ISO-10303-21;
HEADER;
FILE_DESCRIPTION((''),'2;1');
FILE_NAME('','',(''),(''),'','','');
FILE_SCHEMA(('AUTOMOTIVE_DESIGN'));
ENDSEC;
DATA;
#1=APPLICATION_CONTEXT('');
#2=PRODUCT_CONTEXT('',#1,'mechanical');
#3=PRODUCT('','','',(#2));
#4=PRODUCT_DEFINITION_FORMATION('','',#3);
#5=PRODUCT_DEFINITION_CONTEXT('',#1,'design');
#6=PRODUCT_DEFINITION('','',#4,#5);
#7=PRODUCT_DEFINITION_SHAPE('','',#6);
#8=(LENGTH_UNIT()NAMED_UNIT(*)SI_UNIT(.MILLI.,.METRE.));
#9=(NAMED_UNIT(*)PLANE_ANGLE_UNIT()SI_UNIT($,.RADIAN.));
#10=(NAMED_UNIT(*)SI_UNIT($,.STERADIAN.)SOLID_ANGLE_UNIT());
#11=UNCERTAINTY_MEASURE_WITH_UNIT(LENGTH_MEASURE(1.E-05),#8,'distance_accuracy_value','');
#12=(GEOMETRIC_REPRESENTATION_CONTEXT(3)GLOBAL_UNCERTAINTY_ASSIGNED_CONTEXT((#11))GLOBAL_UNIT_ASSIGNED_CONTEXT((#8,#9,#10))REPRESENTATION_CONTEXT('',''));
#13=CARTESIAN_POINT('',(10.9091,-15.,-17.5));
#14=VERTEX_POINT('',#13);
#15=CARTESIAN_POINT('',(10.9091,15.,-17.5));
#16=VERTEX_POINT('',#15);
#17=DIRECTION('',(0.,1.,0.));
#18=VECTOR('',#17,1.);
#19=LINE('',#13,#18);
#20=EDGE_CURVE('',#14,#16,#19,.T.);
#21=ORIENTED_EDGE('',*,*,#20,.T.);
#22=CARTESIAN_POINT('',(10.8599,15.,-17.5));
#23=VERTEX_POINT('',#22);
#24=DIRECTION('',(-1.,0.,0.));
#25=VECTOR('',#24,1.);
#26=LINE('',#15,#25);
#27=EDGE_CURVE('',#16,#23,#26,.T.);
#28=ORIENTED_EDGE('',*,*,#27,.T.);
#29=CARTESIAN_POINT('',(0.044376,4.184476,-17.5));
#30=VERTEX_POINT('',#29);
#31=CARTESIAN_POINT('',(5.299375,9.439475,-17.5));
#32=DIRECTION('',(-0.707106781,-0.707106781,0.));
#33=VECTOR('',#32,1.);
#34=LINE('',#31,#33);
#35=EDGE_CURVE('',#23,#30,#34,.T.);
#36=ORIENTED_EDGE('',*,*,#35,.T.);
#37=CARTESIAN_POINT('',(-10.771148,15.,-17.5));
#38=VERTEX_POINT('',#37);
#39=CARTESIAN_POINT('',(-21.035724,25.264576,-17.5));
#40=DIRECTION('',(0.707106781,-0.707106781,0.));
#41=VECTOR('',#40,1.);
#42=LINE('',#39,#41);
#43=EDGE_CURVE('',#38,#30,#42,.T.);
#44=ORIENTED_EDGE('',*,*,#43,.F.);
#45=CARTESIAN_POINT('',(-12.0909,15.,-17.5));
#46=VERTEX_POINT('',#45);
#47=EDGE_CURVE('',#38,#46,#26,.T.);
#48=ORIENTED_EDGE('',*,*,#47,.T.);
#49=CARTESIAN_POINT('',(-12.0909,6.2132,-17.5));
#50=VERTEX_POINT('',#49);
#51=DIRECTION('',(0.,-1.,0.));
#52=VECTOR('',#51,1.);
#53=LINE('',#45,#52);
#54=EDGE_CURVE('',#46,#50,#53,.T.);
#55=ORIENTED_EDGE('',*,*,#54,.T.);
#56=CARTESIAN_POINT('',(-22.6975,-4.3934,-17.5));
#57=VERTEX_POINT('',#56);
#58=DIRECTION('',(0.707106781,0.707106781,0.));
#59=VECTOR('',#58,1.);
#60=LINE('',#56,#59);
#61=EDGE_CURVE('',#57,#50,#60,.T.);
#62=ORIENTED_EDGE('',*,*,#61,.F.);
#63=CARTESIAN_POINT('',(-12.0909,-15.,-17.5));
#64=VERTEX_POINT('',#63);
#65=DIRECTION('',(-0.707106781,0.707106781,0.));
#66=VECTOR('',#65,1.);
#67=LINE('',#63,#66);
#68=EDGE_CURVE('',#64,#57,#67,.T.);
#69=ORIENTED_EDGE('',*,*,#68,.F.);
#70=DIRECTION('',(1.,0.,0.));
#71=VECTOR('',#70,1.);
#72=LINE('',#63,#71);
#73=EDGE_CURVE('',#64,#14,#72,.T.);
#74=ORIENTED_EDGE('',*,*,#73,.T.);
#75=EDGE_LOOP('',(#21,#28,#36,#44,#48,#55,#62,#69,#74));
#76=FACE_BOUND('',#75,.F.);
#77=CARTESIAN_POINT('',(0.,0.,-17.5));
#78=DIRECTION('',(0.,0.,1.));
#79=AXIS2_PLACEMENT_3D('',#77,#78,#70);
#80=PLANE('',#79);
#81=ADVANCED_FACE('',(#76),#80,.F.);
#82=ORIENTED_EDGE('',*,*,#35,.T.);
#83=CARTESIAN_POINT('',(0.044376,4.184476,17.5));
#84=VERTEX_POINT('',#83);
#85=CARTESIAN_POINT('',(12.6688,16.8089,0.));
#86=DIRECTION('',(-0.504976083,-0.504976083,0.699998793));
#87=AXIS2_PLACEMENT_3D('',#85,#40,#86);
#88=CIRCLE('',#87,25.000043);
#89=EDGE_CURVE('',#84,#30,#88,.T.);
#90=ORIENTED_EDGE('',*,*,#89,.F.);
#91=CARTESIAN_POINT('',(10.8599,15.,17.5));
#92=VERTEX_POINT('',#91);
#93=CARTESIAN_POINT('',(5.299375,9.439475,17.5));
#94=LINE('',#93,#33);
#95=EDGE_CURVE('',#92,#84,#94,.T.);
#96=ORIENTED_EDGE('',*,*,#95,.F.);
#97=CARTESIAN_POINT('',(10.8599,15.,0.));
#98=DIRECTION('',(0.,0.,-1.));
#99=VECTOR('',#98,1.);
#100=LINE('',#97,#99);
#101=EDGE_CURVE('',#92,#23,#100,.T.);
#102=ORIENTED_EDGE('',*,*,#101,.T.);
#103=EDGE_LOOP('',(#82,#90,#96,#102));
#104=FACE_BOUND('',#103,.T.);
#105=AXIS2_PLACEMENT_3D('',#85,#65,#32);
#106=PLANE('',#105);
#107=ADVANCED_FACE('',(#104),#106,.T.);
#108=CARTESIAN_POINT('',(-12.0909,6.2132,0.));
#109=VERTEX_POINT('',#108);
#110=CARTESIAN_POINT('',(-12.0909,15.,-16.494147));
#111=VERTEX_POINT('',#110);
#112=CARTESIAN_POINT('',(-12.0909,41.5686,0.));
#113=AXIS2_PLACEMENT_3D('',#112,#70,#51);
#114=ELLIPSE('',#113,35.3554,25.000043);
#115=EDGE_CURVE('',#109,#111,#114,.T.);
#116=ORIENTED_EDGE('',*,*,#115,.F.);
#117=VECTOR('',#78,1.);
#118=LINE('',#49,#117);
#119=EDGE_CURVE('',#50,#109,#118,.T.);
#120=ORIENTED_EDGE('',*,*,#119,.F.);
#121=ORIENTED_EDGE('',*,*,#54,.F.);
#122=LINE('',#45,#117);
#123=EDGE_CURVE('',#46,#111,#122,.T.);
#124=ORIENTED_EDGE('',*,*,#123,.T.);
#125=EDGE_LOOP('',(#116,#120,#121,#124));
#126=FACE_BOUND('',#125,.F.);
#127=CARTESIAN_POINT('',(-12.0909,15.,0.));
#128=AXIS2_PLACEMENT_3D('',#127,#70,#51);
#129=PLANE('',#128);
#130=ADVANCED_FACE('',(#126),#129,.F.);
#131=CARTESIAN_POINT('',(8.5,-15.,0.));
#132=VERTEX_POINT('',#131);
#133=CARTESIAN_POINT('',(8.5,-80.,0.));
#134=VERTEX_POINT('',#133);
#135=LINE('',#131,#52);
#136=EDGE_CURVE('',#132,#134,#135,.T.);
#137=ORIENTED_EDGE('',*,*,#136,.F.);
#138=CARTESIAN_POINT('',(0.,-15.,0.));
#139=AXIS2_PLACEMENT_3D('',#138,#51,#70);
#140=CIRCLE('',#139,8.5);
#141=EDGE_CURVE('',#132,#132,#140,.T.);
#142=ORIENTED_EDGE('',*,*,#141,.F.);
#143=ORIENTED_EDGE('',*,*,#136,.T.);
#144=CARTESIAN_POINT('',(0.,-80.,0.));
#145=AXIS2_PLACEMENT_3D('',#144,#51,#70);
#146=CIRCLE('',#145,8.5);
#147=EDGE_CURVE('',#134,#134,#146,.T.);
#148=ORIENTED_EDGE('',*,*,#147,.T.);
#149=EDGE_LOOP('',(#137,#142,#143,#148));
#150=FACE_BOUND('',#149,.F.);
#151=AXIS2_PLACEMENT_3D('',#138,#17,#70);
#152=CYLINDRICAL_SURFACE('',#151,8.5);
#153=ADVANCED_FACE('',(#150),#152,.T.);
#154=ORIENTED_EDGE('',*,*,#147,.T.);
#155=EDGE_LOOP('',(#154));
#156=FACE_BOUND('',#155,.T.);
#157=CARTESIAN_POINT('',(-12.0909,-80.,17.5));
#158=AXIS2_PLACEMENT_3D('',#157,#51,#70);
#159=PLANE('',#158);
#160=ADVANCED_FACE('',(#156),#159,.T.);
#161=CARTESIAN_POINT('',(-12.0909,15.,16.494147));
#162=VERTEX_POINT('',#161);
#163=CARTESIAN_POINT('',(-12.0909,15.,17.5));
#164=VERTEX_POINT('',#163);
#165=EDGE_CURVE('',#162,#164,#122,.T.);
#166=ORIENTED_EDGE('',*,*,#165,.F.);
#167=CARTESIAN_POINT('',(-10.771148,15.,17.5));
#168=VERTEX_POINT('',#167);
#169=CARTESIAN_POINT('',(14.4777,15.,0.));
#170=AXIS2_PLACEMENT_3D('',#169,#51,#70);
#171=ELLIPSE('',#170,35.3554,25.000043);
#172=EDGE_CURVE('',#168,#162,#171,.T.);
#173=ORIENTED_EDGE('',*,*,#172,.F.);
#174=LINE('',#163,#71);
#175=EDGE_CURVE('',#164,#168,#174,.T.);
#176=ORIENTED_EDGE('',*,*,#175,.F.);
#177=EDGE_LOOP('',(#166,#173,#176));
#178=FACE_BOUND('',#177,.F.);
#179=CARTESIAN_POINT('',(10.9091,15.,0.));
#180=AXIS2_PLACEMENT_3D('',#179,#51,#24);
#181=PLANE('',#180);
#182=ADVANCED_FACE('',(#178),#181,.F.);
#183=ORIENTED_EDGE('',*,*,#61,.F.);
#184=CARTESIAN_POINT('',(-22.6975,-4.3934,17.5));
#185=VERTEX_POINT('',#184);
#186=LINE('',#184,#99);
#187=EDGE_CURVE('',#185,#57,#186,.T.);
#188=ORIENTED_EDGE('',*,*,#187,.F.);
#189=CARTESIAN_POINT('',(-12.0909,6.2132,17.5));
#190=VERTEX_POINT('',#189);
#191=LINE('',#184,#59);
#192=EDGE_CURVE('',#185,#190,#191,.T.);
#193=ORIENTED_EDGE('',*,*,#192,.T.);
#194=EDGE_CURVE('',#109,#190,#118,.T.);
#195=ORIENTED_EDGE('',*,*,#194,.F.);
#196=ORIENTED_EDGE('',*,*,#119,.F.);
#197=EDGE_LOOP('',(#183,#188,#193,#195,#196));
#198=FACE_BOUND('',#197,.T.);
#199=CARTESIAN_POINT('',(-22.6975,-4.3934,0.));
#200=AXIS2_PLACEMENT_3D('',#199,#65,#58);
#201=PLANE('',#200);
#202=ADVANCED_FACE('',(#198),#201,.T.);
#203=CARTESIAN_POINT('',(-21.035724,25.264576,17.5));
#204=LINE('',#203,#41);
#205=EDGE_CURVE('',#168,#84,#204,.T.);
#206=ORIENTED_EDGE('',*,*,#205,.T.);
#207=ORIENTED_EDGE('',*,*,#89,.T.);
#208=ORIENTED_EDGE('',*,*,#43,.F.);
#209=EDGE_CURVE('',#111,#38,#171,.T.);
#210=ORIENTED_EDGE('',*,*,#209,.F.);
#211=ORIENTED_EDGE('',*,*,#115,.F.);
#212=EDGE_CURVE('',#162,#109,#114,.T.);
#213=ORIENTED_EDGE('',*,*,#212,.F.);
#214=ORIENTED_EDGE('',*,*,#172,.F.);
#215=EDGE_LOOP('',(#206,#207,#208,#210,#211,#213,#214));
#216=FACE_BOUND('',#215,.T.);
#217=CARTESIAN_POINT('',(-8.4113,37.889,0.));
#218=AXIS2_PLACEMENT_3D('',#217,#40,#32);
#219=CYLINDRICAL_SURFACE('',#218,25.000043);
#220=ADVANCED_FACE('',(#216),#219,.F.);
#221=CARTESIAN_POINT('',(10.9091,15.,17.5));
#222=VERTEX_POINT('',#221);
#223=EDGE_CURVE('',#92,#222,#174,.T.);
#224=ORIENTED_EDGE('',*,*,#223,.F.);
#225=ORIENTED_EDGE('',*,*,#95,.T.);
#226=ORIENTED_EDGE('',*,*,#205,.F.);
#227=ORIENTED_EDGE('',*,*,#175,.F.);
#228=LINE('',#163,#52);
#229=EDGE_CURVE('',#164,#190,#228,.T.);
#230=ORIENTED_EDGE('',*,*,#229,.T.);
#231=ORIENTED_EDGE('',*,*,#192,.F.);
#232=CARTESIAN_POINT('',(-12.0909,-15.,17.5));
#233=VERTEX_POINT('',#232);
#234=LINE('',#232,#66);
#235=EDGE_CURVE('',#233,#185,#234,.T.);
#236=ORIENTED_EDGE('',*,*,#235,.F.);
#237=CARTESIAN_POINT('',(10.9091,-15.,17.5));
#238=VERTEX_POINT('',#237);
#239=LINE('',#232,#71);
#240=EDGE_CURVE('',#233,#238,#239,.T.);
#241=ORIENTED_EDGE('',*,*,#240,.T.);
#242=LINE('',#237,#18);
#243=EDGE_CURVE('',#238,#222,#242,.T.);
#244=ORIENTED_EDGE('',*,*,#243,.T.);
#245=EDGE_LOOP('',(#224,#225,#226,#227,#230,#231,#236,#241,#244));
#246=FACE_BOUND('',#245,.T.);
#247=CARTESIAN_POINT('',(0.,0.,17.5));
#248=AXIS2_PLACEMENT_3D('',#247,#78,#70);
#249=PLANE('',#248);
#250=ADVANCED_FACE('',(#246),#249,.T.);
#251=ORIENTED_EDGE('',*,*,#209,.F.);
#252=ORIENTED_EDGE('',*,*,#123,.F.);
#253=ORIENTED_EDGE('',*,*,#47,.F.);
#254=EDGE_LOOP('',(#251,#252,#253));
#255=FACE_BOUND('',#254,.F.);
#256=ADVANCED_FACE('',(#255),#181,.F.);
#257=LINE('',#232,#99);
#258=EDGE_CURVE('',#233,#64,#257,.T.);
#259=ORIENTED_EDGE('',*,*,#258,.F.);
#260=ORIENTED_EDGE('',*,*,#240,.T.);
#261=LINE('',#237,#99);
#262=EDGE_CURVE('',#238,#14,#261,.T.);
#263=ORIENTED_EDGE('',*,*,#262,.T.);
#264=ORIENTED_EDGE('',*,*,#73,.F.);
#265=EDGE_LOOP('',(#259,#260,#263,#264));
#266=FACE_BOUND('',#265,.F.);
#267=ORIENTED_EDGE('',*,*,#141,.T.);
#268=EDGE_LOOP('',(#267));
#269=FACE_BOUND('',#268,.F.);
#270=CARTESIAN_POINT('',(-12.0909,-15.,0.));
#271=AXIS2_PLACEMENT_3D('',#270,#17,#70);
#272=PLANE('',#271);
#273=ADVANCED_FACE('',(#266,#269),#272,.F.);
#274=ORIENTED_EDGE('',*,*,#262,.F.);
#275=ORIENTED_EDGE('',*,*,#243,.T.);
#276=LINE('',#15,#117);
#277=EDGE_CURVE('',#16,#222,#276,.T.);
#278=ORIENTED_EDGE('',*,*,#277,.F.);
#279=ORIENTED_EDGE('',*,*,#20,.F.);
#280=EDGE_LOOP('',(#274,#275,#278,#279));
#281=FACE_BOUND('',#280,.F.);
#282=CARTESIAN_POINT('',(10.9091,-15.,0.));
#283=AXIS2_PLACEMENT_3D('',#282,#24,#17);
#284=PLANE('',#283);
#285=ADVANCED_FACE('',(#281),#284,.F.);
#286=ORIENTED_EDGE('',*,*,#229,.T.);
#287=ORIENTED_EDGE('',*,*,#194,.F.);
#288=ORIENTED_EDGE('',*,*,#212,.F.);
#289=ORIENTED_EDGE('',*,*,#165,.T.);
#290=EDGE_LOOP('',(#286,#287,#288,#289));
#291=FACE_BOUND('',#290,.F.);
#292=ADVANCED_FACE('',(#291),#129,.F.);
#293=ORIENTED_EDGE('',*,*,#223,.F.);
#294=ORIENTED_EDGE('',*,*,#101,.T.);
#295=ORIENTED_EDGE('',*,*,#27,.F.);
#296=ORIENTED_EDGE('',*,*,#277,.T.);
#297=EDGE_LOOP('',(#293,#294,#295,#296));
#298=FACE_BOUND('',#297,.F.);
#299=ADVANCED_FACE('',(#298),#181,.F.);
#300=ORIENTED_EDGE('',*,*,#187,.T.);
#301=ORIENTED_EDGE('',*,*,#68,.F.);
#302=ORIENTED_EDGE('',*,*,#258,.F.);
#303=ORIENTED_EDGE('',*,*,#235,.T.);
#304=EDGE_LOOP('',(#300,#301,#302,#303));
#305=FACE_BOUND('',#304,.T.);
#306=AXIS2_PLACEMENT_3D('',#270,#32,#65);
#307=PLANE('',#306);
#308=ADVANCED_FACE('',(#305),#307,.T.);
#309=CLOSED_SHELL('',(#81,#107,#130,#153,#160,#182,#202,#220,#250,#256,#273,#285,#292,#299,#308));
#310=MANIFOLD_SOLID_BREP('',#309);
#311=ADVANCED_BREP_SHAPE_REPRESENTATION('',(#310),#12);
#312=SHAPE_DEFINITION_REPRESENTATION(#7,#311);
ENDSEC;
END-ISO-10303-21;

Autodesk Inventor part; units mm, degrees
ref_plane "YZ Plane" through (0, 0, 0) normal (1, 0, 0) x (0, 1, 0)
ref_plane "XZ Plane" through (0, 0, 0) normal (0, 1, 0) x (-1, 0, 0)
ref_plane "XY Plane" through (0, 0, 0) normal (0, 0, 1) x (1, 0, 0)
sketch "Sketch1" plane through (0, 0, 0) normal (0, 0, 1) x (1, 0, 0)
  line L0 (10.9091, 15) -> (-12.0909, 15)
  line L1 (-12.0909, 15) -> (-12.0909, -15)
  line L2 (-12.0909, -15) -> (10.9091, -15)
  line L3 (10.9091, -15) -> (10.9091, 15)
  line L4 (-12.0909, -15) -> (-22.6975, -4.3934)
  line L5 (-12.0909, -15) -> (2.9091, -15) construction
  line L6 (-22.6975, -4.3934) -> (-12.0909, 6.2132)
  line L7 (-12.0909, 6.2132) -> (2.0731, -7.9508) construction
  line L8 (10.9091, 15.0492) -> (-9.4479, -5.3079) construction
  line L9 (-8.4113, 37.889) -> (15.6041, 13.8735) construction
  line L10 (-5.0089, -0.8688) -> (12.6688, 16.8089)
  line L11 (12.6688, 16.8089) -> (-8.4113, 37.889)
  line L12 (-8.4113, 37.889) -> (-26.089, 20.2113)
  line L13 (-26.089, 20.2113) -> (-5.0089, -0.8688)
  point P0 (0, 0)
  point P1 (10.9091, 0)
  dimension "d0" = 30
  dimension "d1" = 23
  dimension "d2" = 15
  dimension "d3" = 135
  dimension "d4" = 15
  dimension "d5" = 25
extrude "Extrusion1" add sketch "Sketch1" along normal mid plane 35 contours L3 L2 L1 L13 L10 L0 | L10 L13 L1 L0 | L4 L6 L1
revolve "Revolution1" cut sketch "Sketch1" angle 360 about axis through (12.6688, 16.8089, 0) along (-0.7071, 0.7071, 0) contours L10 L13 L1 L0 | L0 L1 L13 L12 L11 L10
sketch "Sketch2" plane through (-12.0909, -15, 17.5) normal (0, -1, 0) x (1, 0, 0)
  circle A0 centre (12.0909, -17.5) radius 8.5
  dimension "d9" = 17
extrude "Extrusion2" add sketch "Sketch2" along normal blind 65
properties part number "Feed_pin"
